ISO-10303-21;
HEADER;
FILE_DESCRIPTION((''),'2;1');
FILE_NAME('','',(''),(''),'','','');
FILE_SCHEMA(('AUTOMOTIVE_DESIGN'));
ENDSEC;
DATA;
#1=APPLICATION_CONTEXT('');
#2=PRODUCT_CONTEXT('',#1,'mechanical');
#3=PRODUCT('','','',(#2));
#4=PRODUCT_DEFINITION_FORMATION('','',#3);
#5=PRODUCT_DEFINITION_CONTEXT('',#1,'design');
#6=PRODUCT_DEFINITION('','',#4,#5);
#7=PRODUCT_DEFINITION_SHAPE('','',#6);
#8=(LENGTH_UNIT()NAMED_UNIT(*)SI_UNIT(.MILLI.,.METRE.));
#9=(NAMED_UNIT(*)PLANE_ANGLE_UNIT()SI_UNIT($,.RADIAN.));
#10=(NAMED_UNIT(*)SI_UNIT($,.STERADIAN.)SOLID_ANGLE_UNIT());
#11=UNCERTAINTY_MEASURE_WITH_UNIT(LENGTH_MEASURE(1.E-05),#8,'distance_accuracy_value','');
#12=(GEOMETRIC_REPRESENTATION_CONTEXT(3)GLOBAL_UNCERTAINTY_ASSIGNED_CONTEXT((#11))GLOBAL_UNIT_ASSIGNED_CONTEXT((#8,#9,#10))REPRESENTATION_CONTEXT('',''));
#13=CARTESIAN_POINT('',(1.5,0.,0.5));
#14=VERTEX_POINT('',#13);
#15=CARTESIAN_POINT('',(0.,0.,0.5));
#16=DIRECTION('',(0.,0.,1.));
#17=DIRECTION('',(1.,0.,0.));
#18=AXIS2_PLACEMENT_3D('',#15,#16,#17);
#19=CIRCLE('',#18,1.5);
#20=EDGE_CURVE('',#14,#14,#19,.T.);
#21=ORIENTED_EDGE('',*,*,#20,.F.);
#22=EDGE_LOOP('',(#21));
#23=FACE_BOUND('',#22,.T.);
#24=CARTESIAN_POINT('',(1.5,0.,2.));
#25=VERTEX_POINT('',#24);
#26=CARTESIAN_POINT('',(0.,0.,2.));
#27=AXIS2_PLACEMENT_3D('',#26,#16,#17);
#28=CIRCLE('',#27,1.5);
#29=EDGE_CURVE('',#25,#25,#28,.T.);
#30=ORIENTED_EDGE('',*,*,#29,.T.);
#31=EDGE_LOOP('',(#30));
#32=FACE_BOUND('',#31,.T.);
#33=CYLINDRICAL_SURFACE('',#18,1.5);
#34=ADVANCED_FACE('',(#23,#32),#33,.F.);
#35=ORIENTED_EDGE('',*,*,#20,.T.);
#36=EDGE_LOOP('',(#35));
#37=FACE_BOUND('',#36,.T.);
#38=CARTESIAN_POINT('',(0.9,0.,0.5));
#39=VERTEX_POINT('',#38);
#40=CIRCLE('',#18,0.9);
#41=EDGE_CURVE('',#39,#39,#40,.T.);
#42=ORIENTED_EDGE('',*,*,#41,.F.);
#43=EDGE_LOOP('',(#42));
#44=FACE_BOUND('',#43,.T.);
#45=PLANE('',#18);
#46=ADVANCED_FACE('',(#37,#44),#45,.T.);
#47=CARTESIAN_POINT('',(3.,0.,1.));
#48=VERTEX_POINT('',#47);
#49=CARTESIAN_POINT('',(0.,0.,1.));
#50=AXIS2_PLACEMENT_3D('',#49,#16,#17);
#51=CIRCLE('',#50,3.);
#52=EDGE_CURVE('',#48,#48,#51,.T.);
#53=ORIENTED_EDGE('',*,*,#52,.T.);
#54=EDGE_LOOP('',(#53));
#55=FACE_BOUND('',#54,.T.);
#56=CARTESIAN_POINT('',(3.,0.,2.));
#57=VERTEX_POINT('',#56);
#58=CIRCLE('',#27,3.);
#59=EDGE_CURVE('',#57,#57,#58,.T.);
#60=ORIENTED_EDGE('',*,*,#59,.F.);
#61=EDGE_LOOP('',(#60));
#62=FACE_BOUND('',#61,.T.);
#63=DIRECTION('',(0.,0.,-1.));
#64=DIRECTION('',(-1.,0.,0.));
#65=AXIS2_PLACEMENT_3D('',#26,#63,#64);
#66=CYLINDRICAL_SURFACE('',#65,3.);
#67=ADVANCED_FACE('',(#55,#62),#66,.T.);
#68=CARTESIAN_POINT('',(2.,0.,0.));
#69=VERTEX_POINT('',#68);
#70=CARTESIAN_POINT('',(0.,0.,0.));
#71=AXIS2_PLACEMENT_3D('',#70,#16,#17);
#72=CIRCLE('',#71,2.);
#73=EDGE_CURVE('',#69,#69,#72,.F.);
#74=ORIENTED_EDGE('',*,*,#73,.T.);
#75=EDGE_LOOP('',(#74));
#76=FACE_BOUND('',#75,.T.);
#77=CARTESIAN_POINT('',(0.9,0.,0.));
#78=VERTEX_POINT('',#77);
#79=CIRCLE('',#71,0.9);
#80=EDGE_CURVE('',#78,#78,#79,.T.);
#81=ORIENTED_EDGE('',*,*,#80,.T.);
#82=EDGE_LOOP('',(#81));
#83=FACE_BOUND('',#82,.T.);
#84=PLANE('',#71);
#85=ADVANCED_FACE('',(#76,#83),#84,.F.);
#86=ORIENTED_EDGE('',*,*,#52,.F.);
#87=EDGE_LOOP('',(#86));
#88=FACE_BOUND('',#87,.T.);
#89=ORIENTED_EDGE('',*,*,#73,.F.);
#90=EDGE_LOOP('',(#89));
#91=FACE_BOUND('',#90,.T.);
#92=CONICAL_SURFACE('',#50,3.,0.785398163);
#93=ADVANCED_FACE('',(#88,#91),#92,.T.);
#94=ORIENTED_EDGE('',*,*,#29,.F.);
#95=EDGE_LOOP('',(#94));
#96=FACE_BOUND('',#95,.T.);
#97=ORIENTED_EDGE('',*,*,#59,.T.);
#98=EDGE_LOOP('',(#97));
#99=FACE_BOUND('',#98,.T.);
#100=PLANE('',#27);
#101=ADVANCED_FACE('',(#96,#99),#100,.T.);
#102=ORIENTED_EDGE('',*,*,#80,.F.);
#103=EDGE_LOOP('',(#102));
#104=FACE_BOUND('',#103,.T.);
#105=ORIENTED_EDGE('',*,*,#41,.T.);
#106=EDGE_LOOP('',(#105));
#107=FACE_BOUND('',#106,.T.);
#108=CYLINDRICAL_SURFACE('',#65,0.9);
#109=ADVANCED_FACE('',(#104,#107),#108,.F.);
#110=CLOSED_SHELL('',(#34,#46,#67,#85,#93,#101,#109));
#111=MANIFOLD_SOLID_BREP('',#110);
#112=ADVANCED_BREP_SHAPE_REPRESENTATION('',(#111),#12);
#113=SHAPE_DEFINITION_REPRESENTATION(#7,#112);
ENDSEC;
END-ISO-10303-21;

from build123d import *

# Parameters (mm, degrees)
SKETCH1_R           = 3
SKETCH1_R_2         = 0.9
BOSS_EXTRUDE1_DEPTH = 2
CHAMFER1_SIZE       = 1
SKETCH2_R           = 1.5
CUT_EXTRUDE1_DEPTH  = 1.5


with BuildPart() as part:
    # Sketch1 → Boss-Extrude1 (new body)
    with BuildSketch(Plane.XY):
        Circle(SKETCH1_R)
        Circle(SKETCH1_R_2, mode=Mode.SUBTRACT)
    extrude(amount=BOSS_EXTRUDE1_DEPTH)

    # Chamfer1
    chamfer1_edges = [part.edges().sort_by_distance(p)[0] for p in [
        (-3, 0, 0),
    ]]
    chamfer(chamfer1_edges, length=CHAMFER1_SIZE)

    # Sketch2 → Cut-Extrude1 (cut)
    with BuildSketch(Plane.XY.offset(2)):
        Circle(SKETCH2_R)
    extrude(amount=-CUT_EXTRUDE1_DEPTH, mode=Mode.SUBTRACT)


solid = part.part
